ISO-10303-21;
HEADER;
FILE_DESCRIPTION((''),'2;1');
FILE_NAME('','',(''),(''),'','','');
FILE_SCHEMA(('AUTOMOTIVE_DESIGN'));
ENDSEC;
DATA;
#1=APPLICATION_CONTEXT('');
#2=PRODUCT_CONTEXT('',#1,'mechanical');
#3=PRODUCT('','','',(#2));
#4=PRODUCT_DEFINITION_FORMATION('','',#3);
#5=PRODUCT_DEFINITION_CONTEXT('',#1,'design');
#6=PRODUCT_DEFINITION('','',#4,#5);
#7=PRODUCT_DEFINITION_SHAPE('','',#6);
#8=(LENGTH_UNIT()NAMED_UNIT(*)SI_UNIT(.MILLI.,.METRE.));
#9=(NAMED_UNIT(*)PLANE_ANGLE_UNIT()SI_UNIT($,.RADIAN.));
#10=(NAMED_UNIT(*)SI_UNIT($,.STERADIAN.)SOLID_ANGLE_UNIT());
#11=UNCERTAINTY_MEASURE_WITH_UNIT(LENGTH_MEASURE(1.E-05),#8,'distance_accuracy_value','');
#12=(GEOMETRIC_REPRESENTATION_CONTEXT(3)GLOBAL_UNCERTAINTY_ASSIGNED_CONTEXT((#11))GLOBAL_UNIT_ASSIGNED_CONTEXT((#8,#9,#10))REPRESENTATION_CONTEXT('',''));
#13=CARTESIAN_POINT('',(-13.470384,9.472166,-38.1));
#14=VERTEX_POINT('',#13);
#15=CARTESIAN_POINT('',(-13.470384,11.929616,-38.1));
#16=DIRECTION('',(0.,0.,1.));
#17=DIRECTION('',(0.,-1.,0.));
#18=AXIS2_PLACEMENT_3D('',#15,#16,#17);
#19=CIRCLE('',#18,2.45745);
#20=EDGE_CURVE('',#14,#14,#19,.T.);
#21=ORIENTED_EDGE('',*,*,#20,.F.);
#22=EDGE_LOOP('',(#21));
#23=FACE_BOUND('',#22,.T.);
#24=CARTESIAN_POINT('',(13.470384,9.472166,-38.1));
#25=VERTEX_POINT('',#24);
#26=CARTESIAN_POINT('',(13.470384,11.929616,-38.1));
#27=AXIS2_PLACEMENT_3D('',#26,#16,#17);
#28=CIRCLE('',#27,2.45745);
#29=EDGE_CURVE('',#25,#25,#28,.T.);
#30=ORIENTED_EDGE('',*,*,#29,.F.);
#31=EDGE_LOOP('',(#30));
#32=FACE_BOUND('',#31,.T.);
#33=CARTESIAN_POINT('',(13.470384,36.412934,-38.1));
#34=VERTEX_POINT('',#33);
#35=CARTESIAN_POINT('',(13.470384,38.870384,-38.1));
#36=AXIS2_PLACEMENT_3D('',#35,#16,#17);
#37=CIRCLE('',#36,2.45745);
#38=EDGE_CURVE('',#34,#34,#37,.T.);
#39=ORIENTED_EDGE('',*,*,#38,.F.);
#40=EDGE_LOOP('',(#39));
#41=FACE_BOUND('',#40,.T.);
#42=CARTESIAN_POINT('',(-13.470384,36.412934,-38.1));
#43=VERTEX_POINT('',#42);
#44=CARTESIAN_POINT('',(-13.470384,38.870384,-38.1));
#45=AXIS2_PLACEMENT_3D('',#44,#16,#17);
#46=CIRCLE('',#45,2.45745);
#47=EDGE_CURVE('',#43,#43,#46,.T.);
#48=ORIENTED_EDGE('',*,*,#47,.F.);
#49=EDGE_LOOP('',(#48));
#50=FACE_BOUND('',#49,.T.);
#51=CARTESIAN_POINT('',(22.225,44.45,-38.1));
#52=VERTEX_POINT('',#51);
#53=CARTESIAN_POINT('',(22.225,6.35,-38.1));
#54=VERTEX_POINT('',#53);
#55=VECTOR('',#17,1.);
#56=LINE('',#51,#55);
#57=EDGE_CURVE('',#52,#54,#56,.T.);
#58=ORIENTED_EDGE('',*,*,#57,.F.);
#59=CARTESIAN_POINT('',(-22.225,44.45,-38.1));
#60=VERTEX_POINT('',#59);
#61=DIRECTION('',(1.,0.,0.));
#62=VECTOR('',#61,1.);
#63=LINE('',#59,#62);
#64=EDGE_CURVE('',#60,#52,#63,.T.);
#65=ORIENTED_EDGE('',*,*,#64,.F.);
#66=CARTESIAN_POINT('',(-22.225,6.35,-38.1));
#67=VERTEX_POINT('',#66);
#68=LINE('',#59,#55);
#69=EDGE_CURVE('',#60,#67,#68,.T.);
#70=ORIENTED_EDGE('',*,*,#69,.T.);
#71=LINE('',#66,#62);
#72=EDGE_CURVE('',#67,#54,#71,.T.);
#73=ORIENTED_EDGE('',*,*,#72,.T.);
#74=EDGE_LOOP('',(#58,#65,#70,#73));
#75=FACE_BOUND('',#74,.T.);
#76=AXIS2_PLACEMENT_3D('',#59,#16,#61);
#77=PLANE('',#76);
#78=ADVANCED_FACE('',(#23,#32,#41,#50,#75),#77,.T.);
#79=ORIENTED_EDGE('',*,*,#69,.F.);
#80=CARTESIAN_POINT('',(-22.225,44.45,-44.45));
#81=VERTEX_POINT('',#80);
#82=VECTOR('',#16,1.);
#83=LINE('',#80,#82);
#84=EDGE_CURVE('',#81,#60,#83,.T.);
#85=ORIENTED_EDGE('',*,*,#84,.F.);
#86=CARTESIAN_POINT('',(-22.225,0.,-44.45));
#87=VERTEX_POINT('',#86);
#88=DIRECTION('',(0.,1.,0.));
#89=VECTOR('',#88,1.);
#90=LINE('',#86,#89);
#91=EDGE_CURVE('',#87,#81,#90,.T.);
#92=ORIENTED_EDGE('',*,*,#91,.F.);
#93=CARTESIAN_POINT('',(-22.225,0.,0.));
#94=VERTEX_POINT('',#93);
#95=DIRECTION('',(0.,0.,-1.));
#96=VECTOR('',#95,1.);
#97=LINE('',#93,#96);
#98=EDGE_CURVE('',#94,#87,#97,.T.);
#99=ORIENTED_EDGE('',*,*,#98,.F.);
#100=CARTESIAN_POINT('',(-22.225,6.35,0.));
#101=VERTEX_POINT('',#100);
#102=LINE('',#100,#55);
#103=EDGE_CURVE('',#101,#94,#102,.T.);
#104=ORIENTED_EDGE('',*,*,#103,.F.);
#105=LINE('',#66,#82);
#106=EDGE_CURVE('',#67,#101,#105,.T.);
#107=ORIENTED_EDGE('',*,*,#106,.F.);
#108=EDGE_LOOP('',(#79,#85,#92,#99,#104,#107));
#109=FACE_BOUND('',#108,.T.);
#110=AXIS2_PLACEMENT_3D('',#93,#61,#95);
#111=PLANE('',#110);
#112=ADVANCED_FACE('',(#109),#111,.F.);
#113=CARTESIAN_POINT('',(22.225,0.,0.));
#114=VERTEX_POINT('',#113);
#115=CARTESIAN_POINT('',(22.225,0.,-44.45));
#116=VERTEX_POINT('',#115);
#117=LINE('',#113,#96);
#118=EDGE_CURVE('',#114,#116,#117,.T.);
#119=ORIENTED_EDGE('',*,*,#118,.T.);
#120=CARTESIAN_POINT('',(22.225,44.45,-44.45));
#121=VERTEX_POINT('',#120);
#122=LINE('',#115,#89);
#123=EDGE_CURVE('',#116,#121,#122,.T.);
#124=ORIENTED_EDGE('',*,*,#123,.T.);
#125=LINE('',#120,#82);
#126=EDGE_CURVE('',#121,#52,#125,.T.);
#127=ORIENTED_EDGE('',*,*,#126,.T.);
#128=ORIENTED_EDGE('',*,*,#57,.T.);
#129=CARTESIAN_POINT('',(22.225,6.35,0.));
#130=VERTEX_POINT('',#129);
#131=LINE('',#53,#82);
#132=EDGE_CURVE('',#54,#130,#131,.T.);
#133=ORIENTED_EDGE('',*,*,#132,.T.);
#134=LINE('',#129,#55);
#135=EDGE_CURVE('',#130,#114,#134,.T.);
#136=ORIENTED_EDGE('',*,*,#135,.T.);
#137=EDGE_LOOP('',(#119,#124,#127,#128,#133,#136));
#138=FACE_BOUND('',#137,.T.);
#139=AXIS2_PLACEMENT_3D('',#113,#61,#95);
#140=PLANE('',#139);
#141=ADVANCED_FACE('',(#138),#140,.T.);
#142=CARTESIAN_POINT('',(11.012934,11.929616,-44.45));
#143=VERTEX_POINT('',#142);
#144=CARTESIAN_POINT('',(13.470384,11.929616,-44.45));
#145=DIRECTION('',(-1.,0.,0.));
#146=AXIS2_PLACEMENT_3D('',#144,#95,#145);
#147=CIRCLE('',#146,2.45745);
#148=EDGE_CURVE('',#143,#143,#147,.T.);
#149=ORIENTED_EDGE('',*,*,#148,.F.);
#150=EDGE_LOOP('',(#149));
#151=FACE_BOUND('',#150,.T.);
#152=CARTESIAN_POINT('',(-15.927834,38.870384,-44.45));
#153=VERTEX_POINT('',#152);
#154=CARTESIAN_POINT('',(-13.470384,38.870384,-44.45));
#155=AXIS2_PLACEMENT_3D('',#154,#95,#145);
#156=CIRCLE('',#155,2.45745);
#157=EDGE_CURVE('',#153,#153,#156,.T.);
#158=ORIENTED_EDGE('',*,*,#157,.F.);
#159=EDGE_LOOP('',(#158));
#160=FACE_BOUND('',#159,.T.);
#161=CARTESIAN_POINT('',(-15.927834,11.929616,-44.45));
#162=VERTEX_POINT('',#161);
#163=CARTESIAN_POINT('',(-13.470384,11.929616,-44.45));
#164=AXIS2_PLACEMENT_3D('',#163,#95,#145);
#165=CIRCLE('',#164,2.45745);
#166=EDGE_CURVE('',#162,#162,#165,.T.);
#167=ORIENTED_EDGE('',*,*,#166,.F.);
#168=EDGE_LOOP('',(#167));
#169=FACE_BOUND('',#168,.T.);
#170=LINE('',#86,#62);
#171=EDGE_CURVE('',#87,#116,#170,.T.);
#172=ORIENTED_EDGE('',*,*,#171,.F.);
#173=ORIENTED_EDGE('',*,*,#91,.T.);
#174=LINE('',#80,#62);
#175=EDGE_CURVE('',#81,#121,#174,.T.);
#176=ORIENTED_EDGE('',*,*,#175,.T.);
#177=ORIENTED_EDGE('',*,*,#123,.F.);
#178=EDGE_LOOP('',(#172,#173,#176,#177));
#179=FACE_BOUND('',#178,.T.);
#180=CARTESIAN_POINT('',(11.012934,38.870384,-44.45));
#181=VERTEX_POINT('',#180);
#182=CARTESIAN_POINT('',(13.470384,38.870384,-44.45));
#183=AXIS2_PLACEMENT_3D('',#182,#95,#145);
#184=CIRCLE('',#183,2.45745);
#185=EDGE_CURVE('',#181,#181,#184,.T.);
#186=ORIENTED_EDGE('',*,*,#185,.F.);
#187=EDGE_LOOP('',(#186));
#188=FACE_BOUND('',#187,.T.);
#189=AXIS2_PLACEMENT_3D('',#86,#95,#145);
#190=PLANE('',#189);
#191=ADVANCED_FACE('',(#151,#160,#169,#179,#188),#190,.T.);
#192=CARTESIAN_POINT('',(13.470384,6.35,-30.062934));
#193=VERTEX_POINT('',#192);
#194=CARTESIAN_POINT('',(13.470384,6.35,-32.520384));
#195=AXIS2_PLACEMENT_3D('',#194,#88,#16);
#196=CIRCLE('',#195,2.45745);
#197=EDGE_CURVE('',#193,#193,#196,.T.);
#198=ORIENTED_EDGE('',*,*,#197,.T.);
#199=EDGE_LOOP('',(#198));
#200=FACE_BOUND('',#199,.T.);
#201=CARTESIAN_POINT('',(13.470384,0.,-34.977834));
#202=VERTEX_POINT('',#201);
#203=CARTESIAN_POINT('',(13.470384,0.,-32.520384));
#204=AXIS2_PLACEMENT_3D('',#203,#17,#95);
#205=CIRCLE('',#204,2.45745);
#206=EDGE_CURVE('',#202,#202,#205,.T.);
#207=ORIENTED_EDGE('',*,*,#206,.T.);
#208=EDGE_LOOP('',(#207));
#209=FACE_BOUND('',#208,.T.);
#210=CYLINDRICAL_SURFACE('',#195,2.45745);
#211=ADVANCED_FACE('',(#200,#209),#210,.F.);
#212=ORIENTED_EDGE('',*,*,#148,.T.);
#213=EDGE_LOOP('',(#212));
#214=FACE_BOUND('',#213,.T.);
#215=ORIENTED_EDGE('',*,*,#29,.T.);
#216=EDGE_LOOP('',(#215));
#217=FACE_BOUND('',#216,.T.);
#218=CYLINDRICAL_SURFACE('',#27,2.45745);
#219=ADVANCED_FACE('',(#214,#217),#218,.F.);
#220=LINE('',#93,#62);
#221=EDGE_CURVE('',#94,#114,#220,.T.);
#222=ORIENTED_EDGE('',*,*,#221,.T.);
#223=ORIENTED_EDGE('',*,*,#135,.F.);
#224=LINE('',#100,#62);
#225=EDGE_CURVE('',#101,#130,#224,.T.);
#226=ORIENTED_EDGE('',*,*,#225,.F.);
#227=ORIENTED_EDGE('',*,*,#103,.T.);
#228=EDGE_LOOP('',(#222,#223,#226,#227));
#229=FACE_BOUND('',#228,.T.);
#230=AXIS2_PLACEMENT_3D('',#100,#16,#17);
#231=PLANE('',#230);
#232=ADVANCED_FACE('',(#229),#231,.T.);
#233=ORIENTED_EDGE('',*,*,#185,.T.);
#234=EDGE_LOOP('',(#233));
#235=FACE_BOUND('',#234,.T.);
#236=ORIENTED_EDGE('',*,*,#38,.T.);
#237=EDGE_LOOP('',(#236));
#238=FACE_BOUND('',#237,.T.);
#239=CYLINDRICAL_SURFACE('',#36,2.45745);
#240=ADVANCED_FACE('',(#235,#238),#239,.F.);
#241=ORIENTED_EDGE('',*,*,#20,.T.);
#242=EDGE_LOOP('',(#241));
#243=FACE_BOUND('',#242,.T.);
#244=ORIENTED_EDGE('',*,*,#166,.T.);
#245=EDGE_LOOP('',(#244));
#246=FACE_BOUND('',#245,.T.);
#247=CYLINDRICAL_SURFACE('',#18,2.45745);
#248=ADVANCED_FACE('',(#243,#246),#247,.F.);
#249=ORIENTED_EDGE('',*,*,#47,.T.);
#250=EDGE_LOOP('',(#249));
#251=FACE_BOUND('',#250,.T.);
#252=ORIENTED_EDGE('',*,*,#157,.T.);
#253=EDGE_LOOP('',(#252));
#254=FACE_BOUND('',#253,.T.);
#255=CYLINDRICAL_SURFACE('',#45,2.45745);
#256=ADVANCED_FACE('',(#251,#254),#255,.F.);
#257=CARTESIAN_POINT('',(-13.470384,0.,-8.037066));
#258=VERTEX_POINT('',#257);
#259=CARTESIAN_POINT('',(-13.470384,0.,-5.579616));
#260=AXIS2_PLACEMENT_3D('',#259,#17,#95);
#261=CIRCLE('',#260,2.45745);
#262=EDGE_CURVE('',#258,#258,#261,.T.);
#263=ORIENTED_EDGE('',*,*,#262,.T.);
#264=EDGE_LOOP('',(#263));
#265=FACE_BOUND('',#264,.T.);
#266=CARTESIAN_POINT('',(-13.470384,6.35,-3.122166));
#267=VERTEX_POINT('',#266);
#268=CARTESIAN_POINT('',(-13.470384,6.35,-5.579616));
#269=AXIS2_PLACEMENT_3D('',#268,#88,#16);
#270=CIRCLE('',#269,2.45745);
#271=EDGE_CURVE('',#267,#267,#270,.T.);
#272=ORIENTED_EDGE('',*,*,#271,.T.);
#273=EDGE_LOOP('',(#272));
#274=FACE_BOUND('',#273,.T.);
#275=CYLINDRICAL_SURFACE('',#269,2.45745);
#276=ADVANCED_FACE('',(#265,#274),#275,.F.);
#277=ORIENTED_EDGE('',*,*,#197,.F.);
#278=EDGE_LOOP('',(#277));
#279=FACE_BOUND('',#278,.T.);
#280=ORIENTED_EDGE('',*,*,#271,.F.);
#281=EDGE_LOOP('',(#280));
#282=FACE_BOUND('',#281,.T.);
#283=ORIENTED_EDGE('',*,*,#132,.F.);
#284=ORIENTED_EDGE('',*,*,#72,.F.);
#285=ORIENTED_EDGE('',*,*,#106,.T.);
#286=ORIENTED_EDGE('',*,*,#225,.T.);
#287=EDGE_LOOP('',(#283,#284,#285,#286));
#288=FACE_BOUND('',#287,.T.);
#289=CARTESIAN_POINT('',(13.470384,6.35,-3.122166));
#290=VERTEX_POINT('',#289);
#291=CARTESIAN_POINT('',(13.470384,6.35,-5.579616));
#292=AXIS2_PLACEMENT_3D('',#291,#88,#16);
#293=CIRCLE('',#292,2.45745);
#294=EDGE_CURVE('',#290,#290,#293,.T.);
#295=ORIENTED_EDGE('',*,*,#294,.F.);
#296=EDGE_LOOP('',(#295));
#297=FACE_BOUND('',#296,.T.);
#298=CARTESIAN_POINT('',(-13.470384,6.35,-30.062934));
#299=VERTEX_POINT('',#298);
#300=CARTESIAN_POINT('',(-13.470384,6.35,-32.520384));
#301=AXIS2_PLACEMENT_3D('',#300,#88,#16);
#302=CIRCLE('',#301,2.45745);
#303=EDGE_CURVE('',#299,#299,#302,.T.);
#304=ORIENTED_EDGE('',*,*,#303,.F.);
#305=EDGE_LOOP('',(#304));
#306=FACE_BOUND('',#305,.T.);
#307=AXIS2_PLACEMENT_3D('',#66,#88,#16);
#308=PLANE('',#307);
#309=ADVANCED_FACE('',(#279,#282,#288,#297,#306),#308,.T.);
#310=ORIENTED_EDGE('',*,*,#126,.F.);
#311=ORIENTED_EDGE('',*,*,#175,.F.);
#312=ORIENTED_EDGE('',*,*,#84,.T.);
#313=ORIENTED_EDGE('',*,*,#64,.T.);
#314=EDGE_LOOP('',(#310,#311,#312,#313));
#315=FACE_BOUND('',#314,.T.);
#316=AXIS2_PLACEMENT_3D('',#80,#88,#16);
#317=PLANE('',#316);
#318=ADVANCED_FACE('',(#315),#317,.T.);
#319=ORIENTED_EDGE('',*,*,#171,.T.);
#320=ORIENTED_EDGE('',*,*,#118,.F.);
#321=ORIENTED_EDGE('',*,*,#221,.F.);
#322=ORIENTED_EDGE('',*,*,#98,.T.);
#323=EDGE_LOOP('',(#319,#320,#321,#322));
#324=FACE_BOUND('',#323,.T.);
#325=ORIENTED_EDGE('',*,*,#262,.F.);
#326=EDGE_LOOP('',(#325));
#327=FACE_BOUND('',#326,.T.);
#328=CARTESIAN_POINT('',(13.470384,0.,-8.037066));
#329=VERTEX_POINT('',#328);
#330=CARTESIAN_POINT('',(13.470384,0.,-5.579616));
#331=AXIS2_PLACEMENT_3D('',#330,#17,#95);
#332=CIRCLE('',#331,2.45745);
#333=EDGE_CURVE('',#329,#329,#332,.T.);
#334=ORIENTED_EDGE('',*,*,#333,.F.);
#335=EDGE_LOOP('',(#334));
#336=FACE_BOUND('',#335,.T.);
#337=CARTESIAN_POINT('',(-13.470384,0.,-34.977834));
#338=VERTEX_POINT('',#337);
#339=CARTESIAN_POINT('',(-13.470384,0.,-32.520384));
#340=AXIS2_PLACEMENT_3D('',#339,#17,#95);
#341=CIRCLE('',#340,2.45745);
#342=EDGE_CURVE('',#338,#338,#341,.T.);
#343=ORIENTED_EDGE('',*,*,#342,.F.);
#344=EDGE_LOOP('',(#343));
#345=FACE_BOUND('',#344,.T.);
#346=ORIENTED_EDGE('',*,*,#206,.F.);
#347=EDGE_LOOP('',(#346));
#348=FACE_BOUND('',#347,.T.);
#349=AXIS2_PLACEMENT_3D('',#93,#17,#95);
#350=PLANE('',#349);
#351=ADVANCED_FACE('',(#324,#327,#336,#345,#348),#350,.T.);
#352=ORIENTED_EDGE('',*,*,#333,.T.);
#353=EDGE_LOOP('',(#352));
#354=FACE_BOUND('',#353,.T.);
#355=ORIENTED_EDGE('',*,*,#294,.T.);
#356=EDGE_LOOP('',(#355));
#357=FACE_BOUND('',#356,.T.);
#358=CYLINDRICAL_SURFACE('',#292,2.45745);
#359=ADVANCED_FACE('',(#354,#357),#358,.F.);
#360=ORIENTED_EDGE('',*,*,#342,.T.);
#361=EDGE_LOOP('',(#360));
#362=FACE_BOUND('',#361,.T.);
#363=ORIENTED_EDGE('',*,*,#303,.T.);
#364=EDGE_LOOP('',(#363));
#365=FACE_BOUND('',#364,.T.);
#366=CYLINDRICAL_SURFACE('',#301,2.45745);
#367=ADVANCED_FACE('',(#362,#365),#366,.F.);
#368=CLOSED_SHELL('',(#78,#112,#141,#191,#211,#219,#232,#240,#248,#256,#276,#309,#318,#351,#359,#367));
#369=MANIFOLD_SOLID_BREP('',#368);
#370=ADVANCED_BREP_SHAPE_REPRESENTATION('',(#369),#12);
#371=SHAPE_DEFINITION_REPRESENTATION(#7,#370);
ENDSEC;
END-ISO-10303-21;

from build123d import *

# Parameters (mm, degrees)
BOSS_EXTRUDE1_DEPTH          = 22.225
F_10_0_1935_DIAMETER_HOLE1_D = 4.9149


with BuildPart() as part:
    # Sketch1 → Boss-Extrude1 (new, symmetric)
    with BuildSketch(Plane(origin=(0, 0, 0), x_dir=(0, 0, -1), z_dir=(1, 0, 0))):
        Polygon((0, 0), (44.45, 0), (44.45, 44.45), (38.1, 44.45), (38.1, 6.35), (0, 6.35), align=None)
    extrude(amount=BOSS_EXTRUDE1_DEPTH, both=True)

    # #10 (0.1935) Diameter Hole1 (through all)
    with Locations(Plane(origin=(0, 6.35, 0), x_dir=(1, 0, 0), z_dir=(0, 1, 0))):
        with Locations((13.470384182, 5.579615818), (-13.470384182, 32.520384182), (-13.470384182, 5.579615818), (13.470384182, 32.520384182)):
            f_10_0_1935_diameter_hole1 = Hole(F_10_0_1935_DIAMETER_HOLE1_D / 2)

    # Mirror1: #10 (0.1935) Diameter Hole1 across plane
    add(f_10_0_1935_diameter_hole1.mirror(Plane(origin=(0, 22.225, -22.225), x_dir=(0, 0.7071067811865476, 0.7071067811865475), z_dir=(0, 0.7071067811865475, -0.7071067811865476))), mode=Mode.SUBTRACT)


solid = part.part
